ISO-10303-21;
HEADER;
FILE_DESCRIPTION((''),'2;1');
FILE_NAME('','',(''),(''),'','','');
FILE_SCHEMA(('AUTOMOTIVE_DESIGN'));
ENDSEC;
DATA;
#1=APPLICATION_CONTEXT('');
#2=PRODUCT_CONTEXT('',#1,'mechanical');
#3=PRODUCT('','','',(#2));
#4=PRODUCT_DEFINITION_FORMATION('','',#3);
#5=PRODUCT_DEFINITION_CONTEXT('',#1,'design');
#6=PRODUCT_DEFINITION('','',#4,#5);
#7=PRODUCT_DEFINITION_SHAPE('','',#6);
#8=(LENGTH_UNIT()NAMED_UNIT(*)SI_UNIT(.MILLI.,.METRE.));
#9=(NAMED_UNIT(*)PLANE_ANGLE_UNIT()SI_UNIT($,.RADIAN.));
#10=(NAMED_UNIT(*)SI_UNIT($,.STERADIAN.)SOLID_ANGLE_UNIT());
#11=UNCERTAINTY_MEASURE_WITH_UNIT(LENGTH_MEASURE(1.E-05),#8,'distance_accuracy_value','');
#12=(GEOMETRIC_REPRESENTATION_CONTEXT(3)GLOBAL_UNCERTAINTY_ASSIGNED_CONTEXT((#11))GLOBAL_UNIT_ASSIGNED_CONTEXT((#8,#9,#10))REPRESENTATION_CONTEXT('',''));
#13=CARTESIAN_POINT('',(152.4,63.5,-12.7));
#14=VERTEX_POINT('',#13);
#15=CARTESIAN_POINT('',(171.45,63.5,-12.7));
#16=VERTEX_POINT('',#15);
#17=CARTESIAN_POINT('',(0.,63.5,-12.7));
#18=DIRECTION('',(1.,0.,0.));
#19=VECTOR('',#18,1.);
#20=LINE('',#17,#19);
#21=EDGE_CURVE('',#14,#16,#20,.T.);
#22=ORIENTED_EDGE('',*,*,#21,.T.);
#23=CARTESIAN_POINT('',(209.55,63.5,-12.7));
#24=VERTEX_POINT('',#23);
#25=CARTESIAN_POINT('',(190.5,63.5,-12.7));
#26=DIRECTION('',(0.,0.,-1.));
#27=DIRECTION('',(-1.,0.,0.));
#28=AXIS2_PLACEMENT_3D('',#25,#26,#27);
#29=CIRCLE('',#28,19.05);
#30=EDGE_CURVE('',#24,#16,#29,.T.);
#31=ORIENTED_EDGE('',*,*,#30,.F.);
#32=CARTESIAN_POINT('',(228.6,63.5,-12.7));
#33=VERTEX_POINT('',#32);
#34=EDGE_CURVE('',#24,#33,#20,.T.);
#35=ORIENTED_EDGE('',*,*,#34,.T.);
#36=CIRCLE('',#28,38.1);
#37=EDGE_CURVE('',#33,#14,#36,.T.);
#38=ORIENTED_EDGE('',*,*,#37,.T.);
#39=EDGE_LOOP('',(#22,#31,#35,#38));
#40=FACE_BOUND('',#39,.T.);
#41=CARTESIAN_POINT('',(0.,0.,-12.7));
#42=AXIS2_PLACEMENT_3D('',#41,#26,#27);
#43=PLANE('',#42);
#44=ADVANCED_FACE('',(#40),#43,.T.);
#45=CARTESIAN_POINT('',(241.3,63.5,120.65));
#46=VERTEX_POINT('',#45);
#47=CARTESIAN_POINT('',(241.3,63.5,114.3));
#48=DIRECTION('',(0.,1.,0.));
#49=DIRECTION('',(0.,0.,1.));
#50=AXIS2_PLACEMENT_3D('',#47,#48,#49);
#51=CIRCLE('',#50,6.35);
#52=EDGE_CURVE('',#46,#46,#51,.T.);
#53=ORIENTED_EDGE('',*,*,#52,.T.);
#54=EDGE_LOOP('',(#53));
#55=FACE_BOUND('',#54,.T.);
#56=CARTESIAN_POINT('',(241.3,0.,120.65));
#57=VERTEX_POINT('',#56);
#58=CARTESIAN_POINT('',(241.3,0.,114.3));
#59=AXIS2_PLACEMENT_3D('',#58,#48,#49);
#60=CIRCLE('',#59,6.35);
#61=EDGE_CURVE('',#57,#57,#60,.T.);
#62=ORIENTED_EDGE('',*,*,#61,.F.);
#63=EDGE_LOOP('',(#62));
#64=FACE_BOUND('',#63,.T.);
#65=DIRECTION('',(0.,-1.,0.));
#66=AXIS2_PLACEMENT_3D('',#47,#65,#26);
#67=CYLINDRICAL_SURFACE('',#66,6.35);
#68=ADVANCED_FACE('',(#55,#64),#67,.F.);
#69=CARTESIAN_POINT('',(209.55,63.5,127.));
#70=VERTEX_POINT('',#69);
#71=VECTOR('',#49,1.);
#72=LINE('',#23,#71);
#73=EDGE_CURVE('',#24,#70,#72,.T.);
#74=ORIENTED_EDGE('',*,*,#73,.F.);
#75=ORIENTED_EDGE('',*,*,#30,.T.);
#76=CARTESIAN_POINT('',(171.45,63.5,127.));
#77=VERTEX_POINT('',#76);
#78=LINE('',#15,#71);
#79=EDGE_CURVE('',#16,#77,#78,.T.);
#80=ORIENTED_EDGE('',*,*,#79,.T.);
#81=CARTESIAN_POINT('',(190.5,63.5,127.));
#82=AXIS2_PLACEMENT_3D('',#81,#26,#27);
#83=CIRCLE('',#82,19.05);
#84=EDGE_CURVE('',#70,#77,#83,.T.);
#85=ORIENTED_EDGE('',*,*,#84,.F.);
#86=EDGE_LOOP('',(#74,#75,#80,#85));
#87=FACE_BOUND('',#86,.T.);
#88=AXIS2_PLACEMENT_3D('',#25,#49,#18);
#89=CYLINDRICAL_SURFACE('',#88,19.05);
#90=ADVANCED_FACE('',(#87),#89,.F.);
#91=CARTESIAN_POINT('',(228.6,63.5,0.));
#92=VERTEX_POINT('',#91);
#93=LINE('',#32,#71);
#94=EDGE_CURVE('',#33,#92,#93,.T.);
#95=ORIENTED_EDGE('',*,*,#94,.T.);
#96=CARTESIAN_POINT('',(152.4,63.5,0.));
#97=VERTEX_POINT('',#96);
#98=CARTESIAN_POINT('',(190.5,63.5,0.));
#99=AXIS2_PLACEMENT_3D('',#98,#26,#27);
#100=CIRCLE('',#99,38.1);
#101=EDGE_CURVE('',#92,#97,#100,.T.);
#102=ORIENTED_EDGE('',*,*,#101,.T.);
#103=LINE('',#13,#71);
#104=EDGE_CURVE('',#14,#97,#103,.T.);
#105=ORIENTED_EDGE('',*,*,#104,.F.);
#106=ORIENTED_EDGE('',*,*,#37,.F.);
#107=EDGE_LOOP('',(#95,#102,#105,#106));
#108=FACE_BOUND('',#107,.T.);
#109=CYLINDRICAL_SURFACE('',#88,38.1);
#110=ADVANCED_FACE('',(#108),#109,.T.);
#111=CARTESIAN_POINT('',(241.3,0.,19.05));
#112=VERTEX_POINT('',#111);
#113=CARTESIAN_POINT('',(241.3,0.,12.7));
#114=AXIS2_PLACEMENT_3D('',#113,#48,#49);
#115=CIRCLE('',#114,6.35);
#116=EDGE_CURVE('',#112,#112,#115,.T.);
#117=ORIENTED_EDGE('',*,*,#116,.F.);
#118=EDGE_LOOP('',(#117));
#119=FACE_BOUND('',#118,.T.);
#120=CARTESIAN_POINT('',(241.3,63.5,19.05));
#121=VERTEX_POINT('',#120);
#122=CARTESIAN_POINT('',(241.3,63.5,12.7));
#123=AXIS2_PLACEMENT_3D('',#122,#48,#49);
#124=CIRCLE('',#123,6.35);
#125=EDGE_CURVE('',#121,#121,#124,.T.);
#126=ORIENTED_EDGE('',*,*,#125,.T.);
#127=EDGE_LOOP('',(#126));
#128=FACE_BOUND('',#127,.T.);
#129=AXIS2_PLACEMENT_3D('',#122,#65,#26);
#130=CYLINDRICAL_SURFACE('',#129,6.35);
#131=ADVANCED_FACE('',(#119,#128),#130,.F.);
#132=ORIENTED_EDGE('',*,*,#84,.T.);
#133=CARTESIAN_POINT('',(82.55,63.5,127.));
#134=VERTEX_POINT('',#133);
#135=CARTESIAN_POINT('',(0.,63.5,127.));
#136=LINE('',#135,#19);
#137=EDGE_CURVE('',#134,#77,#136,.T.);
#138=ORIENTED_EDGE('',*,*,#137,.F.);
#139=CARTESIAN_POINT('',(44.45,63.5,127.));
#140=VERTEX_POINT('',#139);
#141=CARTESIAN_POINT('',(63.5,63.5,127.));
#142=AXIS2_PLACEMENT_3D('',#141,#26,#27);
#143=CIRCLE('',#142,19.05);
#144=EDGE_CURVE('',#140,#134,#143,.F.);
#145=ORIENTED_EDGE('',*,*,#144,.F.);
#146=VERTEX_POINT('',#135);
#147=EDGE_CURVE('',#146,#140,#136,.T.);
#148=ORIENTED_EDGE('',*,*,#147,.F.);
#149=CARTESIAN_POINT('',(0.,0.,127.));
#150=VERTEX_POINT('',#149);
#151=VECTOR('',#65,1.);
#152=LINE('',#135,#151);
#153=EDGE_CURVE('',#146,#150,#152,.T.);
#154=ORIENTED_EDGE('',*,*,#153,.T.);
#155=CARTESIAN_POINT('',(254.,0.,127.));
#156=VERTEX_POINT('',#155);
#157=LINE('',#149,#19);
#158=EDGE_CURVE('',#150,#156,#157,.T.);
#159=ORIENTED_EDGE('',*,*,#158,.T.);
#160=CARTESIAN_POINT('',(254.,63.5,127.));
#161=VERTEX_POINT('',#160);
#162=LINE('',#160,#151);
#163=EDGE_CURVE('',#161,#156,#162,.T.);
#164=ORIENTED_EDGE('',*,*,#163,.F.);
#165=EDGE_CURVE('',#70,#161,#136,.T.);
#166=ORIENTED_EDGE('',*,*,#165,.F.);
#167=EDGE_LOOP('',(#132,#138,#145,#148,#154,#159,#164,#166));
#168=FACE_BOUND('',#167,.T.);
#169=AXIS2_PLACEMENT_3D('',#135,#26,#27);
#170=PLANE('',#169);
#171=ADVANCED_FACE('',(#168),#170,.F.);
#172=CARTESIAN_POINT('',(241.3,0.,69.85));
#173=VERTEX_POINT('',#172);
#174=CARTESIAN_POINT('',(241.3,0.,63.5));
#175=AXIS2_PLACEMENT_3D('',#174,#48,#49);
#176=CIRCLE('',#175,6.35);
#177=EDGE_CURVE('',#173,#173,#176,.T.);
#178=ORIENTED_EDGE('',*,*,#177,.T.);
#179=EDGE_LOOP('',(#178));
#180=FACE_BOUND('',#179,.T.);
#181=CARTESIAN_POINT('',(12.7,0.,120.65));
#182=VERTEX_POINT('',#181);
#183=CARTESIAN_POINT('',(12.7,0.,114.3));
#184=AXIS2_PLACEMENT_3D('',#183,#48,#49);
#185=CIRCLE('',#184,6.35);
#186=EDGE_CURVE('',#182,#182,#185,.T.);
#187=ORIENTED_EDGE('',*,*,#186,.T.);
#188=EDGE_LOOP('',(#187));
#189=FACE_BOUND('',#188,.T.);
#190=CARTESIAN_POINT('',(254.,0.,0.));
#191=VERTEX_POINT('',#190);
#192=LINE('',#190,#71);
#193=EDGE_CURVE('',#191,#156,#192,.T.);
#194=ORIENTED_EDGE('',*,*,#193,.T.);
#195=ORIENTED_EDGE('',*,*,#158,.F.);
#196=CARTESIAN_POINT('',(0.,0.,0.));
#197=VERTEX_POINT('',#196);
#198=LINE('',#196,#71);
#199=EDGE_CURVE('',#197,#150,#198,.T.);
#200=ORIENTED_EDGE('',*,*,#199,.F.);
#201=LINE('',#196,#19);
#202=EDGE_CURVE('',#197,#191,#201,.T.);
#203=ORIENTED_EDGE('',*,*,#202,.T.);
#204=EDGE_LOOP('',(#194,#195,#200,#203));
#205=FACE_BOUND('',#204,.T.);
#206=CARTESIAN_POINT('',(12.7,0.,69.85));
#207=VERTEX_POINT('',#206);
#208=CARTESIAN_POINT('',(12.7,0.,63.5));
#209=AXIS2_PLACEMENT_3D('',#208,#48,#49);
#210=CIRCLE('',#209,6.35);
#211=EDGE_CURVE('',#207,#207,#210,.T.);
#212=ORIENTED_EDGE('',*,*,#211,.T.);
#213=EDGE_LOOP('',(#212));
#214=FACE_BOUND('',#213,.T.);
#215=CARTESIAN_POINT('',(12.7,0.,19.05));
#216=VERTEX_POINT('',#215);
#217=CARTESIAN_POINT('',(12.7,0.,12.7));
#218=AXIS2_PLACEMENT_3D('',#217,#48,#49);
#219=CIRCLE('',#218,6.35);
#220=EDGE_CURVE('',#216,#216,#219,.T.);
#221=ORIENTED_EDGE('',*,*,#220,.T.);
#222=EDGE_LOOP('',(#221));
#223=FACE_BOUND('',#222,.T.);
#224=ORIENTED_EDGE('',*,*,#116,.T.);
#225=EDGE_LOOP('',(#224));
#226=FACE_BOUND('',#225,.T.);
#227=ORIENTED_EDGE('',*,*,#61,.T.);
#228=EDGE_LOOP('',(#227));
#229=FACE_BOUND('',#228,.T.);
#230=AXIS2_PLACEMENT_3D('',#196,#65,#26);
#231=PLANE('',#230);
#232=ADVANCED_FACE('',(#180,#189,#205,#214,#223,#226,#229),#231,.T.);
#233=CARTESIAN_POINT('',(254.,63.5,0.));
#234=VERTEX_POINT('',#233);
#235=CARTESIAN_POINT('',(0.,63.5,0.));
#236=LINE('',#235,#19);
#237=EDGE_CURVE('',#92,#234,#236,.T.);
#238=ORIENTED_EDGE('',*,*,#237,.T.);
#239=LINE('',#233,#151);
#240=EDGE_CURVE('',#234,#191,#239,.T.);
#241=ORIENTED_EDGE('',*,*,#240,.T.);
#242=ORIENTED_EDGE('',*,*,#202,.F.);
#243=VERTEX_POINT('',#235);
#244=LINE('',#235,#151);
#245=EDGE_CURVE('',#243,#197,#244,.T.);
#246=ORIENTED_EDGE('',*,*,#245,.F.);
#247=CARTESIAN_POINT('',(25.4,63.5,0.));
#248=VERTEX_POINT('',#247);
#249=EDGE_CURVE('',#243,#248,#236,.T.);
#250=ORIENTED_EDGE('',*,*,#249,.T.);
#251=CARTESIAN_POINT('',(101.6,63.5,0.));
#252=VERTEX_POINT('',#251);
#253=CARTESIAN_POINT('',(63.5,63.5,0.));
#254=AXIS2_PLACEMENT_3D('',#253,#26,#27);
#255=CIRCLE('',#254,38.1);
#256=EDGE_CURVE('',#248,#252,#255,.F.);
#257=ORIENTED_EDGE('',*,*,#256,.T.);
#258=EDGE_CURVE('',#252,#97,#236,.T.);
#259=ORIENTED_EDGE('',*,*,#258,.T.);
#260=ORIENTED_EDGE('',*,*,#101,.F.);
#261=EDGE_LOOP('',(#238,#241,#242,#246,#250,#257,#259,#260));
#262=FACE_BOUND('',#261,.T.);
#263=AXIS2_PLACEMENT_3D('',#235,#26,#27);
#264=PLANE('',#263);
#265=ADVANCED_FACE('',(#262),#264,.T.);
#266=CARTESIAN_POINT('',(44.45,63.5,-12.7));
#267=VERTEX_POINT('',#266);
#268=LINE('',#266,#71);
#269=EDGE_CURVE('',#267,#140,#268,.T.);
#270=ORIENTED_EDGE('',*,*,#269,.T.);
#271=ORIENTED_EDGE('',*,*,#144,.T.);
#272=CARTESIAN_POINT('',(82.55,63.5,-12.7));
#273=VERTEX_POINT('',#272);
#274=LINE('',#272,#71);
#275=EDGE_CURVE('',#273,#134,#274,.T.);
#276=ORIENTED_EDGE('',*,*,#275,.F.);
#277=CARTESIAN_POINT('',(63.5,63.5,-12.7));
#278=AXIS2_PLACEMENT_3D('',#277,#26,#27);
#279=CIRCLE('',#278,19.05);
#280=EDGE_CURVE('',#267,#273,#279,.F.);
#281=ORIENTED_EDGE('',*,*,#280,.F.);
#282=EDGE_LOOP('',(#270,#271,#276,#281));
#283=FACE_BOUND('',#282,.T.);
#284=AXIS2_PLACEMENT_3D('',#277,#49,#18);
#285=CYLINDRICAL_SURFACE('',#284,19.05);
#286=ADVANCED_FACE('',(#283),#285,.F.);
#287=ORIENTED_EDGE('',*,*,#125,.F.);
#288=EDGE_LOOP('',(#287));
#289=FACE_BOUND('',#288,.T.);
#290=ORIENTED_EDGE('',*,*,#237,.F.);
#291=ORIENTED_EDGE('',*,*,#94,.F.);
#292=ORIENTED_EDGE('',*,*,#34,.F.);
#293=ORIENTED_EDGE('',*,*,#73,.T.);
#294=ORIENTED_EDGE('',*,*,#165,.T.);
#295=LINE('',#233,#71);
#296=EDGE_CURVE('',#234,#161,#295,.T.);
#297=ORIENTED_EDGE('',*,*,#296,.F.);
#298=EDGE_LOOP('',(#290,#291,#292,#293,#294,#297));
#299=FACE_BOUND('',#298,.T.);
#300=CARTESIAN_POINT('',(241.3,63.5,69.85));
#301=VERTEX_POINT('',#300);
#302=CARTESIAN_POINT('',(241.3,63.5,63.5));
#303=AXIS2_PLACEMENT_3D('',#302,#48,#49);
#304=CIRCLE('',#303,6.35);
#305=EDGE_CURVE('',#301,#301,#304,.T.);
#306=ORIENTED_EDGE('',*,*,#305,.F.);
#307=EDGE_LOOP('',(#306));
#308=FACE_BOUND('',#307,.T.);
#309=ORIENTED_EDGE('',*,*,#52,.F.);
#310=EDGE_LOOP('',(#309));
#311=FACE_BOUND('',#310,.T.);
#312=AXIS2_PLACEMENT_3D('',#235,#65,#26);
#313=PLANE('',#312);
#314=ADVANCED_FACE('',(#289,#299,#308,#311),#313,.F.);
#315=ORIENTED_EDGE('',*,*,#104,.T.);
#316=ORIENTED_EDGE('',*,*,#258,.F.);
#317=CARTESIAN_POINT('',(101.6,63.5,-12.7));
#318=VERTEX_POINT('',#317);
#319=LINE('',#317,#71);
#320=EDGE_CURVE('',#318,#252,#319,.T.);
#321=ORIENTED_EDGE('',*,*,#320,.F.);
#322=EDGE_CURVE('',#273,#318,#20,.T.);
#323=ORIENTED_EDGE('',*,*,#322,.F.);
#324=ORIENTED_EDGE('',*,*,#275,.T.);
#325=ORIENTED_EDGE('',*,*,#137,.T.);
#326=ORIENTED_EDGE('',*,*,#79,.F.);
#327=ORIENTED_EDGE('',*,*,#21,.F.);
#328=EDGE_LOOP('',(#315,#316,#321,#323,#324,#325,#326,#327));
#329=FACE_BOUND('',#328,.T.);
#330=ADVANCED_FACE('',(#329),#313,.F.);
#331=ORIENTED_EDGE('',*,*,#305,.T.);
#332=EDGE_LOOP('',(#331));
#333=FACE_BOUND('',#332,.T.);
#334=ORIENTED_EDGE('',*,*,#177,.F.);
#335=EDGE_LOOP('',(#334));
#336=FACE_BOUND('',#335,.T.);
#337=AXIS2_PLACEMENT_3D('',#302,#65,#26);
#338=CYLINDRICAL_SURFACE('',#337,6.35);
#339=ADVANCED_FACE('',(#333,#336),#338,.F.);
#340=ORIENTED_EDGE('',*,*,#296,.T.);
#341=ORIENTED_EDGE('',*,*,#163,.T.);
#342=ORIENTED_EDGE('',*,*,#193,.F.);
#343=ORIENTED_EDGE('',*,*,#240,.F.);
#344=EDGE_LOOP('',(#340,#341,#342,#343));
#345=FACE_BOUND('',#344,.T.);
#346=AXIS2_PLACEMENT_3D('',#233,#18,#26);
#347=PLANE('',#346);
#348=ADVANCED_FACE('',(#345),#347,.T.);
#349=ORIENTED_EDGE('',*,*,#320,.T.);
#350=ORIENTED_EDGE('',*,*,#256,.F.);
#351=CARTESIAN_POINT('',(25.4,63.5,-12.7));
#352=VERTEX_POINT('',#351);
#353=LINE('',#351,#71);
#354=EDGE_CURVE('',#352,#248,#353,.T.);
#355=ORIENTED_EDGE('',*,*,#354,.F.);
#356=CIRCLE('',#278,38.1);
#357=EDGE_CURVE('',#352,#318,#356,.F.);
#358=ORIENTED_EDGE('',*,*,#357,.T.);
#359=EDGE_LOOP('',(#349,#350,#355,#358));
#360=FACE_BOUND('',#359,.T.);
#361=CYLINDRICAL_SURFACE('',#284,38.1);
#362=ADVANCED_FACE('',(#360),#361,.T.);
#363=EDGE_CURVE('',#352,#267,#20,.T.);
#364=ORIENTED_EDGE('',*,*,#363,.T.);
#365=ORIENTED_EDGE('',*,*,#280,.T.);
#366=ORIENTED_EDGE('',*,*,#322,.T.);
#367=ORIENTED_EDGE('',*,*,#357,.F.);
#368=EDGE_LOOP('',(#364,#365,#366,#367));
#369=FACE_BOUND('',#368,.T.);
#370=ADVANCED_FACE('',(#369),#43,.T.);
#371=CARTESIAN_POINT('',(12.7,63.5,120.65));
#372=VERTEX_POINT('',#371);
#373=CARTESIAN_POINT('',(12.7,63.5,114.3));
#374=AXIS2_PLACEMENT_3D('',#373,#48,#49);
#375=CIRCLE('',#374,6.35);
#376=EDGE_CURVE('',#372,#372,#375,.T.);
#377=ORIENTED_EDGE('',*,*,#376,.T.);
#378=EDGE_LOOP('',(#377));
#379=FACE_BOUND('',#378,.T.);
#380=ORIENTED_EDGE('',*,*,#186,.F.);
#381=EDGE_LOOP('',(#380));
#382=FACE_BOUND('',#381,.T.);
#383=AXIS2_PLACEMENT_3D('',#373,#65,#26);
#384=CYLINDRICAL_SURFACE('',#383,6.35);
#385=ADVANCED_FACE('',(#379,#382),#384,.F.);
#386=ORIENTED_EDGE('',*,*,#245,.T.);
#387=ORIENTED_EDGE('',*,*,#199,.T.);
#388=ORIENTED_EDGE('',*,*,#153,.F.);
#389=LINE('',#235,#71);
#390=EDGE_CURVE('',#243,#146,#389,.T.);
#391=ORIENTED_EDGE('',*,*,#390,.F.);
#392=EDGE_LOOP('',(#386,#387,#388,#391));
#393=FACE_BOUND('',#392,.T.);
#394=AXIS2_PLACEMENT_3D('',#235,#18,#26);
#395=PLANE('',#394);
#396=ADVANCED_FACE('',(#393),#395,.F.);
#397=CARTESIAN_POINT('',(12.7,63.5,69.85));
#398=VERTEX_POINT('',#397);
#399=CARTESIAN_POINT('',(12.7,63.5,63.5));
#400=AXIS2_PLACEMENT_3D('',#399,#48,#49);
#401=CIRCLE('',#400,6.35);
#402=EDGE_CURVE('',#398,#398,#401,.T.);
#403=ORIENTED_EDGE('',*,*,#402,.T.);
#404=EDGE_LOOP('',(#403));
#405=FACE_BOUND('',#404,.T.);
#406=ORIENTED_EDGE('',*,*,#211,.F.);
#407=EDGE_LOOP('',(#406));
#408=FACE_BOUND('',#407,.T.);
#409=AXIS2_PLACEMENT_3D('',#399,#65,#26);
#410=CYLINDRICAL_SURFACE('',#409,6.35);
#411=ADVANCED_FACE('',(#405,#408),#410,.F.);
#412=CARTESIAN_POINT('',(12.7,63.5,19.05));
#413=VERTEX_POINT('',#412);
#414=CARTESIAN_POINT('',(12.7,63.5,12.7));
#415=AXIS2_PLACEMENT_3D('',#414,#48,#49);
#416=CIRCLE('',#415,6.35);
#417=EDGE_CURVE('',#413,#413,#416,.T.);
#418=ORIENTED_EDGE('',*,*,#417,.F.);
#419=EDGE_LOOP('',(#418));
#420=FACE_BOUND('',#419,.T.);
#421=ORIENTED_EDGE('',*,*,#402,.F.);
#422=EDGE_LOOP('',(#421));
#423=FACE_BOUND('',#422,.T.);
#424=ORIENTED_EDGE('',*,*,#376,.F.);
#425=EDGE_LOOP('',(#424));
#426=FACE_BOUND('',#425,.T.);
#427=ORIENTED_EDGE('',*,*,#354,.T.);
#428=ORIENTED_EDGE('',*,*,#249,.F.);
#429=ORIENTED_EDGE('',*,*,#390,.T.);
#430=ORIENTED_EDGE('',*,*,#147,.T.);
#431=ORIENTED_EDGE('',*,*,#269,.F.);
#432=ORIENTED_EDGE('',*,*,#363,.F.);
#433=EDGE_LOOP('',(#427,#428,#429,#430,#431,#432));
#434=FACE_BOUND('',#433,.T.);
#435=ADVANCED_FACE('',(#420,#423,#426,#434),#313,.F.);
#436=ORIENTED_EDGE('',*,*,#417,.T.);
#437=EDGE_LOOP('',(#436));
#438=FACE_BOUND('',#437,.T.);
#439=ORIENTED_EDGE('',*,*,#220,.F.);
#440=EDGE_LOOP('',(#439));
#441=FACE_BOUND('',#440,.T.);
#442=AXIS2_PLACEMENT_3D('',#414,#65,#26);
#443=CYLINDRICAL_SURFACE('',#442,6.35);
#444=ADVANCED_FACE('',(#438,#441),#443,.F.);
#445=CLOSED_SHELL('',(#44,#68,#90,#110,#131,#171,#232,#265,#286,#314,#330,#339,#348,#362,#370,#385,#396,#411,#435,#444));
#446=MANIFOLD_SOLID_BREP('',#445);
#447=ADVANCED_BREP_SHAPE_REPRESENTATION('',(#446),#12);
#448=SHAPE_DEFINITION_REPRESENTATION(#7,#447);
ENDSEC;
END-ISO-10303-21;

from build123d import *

# Parameters (mm, degrees)
SKETCH1_R               = 6.35000000000001
SKETCH1_R_2             = 6.349999999999968
SKETCH1_R_3             = 6.350000000000001
SKETCH1_R_4             = 6.350000000000003
SKETCH1_R_5             = 6.3499999999999375
SKETCH1_R_6             = 6.349999999999967
BOSS_EXTRUDE3_DEPTH     = 63.5
BOSS_EXTRUDE9_DEPTH     = 12.7
CUT_EXTRUDE5_DEPTH      = 291.99355662969583
CUT_EXTRUDE5_DEPTH_BACK = 291.99355662969583


with BuildPart() as part:
    # Sketch1 → Boss-Extrude3 (new body)
    with BuildSketch(Plane(origin=(0, 0, 0), x_dir=(1, 0, 0), z_dir=(0, 1, 0))):
        Polygon((254, 0), (0, 0), (1.555e-14, -127), (254, -127), align=None)
        with Locations((12.700000000000053, -114.3)):
            Circle(SKETCH1_R, mode=Mode.SUBTRACT)
        with Locations((241.30000000000004, -114.3)):
            Circle(SKETCH1_R_2, mode=Mode.SUBTRACT)
        with Locations((12.699999999999523, -63.5)):
            Circle(SKETCH1_R_3, mode=Mode.SUBTRACT)
        with Locations((12.69999999999899, -12.700000000000003)):
            Circle(SKETCH1_R_4, mode=Mode.SUBTRACT)
        with Locations((241.29999999999953, -63.5)):
            Circle(SKETCH1_R_5, mode=Mode.SUBTRACT)
        with Locations((241.299999999999, -12.700000000000003)):
            Circle(SKETCH1_R_6, mode=Mode.SUBTRACT)
    extrude(amount=BOSS_EXTRUDE3_DEPTH)

    # Sketch3 → Boss-Extrude9 (add)
    with BuildSketch(Plane(origin=(0, 0, 0), x_dir=(-1, 0, 0), z_dir=(0, 0, -1))):
        with BuildLine():
            Line((-82.55000000000001, 63.5), (-101.6, 63.5))
            ThreePointArc((-101.6, 63.49999999999999), (-63.5, 25.400000000000006), (-25.400000000000006, 63.5))
            Line((-25.400000000000006, 63.5), (-44.44999999999999, 63.5))
            ThreePointArc((-44.44999999999999, 63.5), (-63.5, 44.44999999999999), (-82.55000000000001, 63.5))
        make_face()
        with BuildLine():
            ThreePointArc((-228.6, 63.5), (-190.5, 25.400000000000013), (-152.4, 63.49999999999999))
            Line((-152.4, 63.5), (-171.45, 63.5))
            ThreePointArc((-171.45, 63.5), (-190.5, 44.44999999999999), (-209.55, 63.5))
            Line((-209.55, 63.5), (-228.6, 63.5))
        make_face()
    extrude(amount=BOSS_EXTRUDE9_DEPTH)

    # Sketch3<12> → Cut-Extrude5 (cut, two sides: drawn at the far end of the back side and taken through both)
    with BuildSketch(Plane(origin=(0, 0, 0), x_dir=(-1, 0, 0), z_dir=(0, 0, -1)).offset(-CUT_EXTRUDE5_DEPTH_BACK)):
        with BuildLine():
            Line((-44.44999999999999, 63.5), (-82.55000000000001, 63.5))
            ThreePointArc((-82.55000000000001, 63.5), (-63.5, 44.44999999999999), (-44.44999999999999, 63.5))
        make_face()
        with BuildLine():
            ThreePointArc((-209.55, 63.5), (-190.5, 44.44999999999999), (-171.45, 63.5))
            Line((-171.45, 63.5), (-209.55, 63.5))
        make_face()
    extrude(amount=CUT_EXTRUDE5_DEPTH + CUT_EXTRUDE5_DEPTH_BACK, mode=Mode.SUBTRACT)


solid = part.part
